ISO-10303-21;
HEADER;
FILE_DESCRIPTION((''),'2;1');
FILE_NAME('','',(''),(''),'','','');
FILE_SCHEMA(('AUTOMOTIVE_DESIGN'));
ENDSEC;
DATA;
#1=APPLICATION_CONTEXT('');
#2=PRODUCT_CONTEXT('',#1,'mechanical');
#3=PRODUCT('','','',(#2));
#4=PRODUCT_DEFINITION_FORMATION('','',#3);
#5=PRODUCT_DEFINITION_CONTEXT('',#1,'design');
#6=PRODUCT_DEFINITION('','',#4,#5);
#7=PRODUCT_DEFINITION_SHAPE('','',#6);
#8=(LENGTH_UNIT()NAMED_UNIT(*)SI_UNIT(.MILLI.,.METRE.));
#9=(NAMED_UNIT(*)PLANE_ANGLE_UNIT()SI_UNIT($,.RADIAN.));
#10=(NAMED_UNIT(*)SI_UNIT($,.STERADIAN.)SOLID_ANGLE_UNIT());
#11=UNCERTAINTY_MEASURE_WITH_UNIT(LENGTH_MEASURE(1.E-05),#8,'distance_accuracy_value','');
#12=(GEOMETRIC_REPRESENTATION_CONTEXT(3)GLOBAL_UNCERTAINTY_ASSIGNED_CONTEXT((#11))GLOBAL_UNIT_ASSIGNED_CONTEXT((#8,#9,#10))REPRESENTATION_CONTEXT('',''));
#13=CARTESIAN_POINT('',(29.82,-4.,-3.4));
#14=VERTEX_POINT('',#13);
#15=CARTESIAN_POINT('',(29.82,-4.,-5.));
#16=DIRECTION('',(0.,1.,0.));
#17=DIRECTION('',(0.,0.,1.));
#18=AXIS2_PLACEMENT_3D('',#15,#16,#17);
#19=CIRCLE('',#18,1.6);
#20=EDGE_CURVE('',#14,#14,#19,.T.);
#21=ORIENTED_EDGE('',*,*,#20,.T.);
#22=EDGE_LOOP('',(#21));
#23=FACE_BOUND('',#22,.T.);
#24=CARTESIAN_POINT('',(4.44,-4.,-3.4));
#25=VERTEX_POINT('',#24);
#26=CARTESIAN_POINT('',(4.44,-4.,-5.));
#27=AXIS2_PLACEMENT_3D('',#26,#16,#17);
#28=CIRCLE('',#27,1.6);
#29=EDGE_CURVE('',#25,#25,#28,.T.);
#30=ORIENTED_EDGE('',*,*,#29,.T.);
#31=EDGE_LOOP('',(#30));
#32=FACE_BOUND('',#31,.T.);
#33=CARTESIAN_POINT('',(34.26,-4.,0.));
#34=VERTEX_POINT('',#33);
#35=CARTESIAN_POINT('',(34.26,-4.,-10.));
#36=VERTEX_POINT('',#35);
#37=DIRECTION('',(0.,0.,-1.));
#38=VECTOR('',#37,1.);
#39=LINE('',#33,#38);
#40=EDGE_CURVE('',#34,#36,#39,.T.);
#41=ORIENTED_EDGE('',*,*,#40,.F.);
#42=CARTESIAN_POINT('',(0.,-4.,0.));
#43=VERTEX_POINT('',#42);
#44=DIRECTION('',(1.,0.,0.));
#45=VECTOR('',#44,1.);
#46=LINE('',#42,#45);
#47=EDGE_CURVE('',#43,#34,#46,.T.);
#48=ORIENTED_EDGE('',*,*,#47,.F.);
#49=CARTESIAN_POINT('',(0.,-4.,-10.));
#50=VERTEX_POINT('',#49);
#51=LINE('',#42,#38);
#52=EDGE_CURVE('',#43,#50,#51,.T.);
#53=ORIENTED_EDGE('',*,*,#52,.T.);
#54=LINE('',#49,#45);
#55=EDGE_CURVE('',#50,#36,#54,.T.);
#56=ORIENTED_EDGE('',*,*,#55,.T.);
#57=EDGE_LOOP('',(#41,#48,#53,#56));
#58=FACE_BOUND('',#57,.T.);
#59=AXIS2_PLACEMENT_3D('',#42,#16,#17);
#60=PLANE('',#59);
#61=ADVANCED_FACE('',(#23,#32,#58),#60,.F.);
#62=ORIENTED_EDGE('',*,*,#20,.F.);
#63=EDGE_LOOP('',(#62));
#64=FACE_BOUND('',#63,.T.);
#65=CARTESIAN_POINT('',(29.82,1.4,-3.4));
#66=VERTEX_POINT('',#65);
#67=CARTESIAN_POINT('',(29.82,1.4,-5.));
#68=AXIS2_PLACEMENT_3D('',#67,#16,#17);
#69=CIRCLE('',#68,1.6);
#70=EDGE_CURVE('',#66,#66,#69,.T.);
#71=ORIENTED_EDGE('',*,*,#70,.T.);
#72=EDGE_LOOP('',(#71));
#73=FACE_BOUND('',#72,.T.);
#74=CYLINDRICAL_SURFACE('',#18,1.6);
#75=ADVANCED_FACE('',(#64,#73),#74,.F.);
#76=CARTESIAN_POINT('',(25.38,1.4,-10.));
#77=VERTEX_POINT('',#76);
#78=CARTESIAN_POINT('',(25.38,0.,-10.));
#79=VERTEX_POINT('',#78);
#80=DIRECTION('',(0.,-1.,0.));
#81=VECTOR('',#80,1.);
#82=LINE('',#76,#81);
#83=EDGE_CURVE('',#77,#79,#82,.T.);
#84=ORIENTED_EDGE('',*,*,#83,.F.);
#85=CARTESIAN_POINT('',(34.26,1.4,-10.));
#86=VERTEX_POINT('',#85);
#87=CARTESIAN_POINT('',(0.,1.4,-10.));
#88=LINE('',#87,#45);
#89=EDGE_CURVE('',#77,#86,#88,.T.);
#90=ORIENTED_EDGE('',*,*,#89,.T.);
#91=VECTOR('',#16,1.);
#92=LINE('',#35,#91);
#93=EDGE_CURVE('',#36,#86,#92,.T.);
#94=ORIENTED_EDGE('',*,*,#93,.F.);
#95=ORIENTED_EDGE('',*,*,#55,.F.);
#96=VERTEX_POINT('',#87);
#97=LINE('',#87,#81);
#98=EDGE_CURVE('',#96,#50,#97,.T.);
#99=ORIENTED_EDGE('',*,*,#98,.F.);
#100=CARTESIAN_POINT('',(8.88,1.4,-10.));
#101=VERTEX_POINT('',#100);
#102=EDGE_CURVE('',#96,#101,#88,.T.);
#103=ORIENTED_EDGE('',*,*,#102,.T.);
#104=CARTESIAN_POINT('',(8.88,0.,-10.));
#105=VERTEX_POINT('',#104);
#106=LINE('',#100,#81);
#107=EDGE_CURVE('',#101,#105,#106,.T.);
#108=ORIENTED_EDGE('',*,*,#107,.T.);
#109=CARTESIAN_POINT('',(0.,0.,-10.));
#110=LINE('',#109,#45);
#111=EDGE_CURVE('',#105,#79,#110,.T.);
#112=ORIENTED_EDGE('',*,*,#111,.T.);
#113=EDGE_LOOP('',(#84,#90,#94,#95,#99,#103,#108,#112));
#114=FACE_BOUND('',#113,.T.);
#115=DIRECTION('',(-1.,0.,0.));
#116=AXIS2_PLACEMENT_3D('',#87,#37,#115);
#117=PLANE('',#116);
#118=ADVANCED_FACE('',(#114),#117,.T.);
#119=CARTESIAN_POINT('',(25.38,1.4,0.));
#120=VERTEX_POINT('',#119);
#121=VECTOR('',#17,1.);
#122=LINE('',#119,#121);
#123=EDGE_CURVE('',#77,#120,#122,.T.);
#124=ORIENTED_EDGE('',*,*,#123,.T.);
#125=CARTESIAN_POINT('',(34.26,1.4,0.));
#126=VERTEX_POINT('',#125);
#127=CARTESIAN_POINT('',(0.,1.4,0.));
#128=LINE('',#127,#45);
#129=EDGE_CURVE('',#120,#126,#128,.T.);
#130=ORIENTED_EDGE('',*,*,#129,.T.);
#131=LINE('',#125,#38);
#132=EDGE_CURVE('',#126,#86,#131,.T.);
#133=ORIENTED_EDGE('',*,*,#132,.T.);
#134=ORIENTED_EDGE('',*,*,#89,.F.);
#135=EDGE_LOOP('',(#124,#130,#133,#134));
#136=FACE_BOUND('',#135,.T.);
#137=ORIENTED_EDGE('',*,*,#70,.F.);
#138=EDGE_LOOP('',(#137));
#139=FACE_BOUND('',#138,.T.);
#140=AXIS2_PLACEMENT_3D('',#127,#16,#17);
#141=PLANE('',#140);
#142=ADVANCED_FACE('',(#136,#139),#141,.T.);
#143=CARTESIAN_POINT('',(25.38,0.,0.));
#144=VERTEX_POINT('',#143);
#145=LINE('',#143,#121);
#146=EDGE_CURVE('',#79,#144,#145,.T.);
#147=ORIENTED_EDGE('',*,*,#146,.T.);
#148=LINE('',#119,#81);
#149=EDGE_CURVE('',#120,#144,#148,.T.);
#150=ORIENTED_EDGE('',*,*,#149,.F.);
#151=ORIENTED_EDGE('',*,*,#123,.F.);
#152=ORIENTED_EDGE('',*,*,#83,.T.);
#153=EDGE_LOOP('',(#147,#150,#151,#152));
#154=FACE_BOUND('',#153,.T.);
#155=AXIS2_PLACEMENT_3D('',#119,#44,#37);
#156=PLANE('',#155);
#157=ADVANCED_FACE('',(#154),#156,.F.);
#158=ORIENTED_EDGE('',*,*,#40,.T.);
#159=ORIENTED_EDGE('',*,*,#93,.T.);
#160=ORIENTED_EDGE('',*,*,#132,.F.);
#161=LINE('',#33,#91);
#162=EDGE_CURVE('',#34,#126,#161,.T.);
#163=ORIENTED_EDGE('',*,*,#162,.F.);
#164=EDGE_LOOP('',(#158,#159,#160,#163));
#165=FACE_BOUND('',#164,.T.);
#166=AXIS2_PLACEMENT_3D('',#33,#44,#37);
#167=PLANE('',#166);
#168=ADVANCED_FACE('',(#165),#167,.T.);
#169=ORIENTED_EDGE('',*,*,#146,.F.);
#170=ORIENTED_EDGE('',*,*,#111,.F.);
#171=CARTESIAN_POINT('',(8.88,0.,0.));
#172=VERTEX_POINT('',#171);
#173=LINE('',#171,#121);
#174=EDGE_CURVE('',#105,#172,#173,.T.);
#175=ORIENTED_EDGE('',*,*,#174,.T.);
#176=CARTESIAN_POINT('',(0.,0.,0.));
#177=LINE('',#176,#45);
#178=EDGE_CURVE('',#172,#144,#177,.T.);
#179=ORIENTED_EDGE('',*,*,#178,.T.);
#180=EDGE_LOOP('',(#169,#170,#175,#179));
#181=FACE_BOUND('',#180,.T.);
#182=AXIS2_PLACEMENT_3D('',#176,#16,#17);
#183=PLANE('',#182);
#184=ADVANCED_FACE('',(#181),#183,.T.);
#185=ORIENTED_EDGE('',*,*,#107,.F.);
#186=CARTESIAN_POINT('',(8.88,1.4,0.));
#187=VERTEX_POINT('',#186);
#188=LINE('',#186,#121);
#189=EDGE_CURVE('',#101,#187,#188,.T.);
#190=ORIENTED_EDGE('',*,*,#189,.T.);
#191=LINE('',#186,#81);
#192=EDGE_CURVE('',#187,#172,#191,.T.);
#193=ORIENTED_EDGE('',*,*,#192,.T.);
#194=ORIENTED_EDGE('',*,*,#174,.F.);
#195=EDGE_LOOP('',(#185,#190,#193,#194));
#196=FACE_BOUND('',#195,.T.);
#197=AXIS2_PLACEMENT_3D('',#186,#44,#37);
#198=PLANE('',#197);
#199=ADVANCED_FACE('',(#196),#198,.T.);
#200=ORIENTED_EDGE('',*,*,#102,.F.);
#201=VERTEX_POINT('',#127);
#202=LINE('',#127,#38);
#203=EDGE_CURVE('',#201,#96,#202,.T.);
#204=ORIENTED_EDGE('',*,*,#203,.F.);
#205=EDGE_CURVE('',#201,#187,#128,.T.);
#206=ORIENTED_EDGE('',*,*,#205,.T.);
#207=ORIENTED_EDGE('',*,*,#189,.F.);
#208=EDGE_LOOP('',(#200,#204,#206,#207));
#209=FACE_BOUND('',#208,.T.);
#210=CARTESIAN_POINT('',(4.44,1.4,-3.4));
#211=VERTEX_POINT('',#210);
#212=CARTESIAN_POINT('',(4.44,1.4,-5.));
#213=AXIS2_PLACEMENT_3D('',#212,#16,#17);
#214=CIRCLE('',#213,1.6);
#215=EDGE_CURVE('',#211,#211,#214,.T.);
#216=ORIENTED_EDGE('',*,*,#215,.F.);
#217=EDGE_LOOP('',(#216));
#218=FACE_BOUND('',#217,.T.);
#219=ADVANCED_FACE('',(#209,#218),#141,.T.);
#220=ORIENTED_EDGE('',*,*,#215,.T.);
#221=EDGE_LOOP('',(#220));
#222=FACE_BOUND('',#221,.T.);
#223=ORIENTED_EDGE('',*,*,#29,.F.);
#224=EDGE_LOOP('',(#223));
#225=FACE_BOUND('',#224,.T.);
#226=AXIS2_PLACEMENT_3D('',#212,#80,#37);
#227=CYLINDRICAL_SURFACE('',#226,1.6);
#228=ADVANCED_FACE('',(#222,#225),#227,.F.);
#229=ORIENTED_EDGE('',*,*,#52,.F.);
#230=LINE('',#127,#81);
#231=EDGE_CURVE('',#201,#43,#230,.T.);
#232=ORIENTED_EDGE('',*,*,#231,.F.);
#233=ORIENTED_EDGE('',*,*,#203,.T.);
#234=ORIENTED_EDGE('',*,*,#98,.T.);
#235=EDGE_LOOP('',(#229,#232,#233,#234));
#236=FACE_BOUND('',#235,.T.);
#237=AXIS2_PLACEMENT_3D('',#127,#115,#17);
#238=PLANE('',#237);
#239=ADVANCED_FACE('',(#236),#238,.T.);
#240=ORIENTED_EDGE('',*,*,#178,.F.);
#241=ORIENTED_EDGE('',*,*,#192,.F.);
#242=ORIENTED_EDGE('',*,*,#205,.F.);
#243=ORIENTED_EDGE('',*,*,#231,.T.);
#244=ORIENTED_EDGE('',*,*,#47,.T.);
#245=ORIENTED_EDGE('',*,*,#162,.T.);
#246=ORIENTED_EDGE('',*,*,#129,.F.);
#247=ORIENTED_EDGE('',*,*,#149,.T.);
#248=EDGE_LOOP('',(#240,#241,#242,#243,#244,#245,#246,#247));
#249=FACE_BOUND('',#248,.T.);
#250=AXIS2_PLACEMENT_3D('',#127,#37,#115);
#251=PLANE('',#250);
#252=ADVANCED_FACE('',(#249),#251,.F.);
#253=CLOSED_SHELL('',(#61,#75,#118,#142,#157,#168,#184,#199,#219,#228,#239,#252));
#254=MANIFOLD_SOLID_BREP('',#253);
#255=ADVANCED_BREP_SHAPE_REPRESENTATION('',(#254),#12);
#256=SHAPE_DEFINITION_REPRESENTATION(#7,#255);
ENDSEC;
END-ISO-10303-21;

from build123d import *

# Parameters (mm, degrees)
SKETCH1_W             = 8.88
SKETCH1_H             = 10
SKETCH1_R             = 1.6
BOSS_EXTRUDE1_DEPTH   = 1.4
BOSS_EXTRUDE1_2_DEPTH = 1.4
BOSS_EXTRUDE3_START   = -4
SKETCH1_5_W           = 34.26
SKETCH1_5_H           = 10
SKETCH1_5_R           = 1.6
BOSS_EXTRUDE3_DEPTH   = 4


with BuildPart() as part:
    # Sketch1 → Boss-Extrude1 (new body)
    with BuildSketch(Plane(origin=(0, 0, 0), x_dir=(1, 0, 0), z_dir=(0, 1, 0))):
        with Locations((4.44, 5)):
            Rectangle(SKETCH1_W, SKETCH1_H)
        with Locations((4.44, 5)):
            Circle(SKETCH1_R, mode=Mode.SUBTRACT)
    extrude(amount=BOSS_EXTRUDE1_DEPTH)



with BuildPart() as body_2:
    # Sketch1 → Boss-Extrude1 2 (new body)
    with BuildSketch(Plane(origin=(0, 0, 0), x_dir=(1, 0, 0), z_dir=(0, 1, 0))):
        with Locations((29.82, 5)):
            Rectangle(SKETCH1_W, SKETCH1_H)
        with Locations((29.82, 5)):
            Circle(SKETCH1_R, mode=Mode.SUBTRACT)
    extrude(amount=BOSS_EXTRUDE1_2_DEPTH)


with BuildPart() as part_1:
    add(part.part)

    add(body_2.part)  # Boss-Extrude3 merges body 2
    # Sketch1<5> → Boss-Extrude3 (add)
    with BuildSketch(Plane(origin=(0, 0, 0), x_dir=(1, 0, 0), z_dir=(0, 1, 0)).offset(BOSS_EXTRUDE3_START)):
        with Locations((17.13, 5)):
            Rectangle(SKETCH1_5_W, SKETCH1_5_H)
        with Locations((4.44, 5)):
            Circle(SKETCH1_5_R, mode=Mode.SUBTRACT)
        with Locations((29.82, 5)):
            Circle(SKETCH1_5_R, mode=Mode.SUBTRACT)
    extrude(amount=BOSS_EXTRUDE3_DEPTH)


solid = part_1.part
